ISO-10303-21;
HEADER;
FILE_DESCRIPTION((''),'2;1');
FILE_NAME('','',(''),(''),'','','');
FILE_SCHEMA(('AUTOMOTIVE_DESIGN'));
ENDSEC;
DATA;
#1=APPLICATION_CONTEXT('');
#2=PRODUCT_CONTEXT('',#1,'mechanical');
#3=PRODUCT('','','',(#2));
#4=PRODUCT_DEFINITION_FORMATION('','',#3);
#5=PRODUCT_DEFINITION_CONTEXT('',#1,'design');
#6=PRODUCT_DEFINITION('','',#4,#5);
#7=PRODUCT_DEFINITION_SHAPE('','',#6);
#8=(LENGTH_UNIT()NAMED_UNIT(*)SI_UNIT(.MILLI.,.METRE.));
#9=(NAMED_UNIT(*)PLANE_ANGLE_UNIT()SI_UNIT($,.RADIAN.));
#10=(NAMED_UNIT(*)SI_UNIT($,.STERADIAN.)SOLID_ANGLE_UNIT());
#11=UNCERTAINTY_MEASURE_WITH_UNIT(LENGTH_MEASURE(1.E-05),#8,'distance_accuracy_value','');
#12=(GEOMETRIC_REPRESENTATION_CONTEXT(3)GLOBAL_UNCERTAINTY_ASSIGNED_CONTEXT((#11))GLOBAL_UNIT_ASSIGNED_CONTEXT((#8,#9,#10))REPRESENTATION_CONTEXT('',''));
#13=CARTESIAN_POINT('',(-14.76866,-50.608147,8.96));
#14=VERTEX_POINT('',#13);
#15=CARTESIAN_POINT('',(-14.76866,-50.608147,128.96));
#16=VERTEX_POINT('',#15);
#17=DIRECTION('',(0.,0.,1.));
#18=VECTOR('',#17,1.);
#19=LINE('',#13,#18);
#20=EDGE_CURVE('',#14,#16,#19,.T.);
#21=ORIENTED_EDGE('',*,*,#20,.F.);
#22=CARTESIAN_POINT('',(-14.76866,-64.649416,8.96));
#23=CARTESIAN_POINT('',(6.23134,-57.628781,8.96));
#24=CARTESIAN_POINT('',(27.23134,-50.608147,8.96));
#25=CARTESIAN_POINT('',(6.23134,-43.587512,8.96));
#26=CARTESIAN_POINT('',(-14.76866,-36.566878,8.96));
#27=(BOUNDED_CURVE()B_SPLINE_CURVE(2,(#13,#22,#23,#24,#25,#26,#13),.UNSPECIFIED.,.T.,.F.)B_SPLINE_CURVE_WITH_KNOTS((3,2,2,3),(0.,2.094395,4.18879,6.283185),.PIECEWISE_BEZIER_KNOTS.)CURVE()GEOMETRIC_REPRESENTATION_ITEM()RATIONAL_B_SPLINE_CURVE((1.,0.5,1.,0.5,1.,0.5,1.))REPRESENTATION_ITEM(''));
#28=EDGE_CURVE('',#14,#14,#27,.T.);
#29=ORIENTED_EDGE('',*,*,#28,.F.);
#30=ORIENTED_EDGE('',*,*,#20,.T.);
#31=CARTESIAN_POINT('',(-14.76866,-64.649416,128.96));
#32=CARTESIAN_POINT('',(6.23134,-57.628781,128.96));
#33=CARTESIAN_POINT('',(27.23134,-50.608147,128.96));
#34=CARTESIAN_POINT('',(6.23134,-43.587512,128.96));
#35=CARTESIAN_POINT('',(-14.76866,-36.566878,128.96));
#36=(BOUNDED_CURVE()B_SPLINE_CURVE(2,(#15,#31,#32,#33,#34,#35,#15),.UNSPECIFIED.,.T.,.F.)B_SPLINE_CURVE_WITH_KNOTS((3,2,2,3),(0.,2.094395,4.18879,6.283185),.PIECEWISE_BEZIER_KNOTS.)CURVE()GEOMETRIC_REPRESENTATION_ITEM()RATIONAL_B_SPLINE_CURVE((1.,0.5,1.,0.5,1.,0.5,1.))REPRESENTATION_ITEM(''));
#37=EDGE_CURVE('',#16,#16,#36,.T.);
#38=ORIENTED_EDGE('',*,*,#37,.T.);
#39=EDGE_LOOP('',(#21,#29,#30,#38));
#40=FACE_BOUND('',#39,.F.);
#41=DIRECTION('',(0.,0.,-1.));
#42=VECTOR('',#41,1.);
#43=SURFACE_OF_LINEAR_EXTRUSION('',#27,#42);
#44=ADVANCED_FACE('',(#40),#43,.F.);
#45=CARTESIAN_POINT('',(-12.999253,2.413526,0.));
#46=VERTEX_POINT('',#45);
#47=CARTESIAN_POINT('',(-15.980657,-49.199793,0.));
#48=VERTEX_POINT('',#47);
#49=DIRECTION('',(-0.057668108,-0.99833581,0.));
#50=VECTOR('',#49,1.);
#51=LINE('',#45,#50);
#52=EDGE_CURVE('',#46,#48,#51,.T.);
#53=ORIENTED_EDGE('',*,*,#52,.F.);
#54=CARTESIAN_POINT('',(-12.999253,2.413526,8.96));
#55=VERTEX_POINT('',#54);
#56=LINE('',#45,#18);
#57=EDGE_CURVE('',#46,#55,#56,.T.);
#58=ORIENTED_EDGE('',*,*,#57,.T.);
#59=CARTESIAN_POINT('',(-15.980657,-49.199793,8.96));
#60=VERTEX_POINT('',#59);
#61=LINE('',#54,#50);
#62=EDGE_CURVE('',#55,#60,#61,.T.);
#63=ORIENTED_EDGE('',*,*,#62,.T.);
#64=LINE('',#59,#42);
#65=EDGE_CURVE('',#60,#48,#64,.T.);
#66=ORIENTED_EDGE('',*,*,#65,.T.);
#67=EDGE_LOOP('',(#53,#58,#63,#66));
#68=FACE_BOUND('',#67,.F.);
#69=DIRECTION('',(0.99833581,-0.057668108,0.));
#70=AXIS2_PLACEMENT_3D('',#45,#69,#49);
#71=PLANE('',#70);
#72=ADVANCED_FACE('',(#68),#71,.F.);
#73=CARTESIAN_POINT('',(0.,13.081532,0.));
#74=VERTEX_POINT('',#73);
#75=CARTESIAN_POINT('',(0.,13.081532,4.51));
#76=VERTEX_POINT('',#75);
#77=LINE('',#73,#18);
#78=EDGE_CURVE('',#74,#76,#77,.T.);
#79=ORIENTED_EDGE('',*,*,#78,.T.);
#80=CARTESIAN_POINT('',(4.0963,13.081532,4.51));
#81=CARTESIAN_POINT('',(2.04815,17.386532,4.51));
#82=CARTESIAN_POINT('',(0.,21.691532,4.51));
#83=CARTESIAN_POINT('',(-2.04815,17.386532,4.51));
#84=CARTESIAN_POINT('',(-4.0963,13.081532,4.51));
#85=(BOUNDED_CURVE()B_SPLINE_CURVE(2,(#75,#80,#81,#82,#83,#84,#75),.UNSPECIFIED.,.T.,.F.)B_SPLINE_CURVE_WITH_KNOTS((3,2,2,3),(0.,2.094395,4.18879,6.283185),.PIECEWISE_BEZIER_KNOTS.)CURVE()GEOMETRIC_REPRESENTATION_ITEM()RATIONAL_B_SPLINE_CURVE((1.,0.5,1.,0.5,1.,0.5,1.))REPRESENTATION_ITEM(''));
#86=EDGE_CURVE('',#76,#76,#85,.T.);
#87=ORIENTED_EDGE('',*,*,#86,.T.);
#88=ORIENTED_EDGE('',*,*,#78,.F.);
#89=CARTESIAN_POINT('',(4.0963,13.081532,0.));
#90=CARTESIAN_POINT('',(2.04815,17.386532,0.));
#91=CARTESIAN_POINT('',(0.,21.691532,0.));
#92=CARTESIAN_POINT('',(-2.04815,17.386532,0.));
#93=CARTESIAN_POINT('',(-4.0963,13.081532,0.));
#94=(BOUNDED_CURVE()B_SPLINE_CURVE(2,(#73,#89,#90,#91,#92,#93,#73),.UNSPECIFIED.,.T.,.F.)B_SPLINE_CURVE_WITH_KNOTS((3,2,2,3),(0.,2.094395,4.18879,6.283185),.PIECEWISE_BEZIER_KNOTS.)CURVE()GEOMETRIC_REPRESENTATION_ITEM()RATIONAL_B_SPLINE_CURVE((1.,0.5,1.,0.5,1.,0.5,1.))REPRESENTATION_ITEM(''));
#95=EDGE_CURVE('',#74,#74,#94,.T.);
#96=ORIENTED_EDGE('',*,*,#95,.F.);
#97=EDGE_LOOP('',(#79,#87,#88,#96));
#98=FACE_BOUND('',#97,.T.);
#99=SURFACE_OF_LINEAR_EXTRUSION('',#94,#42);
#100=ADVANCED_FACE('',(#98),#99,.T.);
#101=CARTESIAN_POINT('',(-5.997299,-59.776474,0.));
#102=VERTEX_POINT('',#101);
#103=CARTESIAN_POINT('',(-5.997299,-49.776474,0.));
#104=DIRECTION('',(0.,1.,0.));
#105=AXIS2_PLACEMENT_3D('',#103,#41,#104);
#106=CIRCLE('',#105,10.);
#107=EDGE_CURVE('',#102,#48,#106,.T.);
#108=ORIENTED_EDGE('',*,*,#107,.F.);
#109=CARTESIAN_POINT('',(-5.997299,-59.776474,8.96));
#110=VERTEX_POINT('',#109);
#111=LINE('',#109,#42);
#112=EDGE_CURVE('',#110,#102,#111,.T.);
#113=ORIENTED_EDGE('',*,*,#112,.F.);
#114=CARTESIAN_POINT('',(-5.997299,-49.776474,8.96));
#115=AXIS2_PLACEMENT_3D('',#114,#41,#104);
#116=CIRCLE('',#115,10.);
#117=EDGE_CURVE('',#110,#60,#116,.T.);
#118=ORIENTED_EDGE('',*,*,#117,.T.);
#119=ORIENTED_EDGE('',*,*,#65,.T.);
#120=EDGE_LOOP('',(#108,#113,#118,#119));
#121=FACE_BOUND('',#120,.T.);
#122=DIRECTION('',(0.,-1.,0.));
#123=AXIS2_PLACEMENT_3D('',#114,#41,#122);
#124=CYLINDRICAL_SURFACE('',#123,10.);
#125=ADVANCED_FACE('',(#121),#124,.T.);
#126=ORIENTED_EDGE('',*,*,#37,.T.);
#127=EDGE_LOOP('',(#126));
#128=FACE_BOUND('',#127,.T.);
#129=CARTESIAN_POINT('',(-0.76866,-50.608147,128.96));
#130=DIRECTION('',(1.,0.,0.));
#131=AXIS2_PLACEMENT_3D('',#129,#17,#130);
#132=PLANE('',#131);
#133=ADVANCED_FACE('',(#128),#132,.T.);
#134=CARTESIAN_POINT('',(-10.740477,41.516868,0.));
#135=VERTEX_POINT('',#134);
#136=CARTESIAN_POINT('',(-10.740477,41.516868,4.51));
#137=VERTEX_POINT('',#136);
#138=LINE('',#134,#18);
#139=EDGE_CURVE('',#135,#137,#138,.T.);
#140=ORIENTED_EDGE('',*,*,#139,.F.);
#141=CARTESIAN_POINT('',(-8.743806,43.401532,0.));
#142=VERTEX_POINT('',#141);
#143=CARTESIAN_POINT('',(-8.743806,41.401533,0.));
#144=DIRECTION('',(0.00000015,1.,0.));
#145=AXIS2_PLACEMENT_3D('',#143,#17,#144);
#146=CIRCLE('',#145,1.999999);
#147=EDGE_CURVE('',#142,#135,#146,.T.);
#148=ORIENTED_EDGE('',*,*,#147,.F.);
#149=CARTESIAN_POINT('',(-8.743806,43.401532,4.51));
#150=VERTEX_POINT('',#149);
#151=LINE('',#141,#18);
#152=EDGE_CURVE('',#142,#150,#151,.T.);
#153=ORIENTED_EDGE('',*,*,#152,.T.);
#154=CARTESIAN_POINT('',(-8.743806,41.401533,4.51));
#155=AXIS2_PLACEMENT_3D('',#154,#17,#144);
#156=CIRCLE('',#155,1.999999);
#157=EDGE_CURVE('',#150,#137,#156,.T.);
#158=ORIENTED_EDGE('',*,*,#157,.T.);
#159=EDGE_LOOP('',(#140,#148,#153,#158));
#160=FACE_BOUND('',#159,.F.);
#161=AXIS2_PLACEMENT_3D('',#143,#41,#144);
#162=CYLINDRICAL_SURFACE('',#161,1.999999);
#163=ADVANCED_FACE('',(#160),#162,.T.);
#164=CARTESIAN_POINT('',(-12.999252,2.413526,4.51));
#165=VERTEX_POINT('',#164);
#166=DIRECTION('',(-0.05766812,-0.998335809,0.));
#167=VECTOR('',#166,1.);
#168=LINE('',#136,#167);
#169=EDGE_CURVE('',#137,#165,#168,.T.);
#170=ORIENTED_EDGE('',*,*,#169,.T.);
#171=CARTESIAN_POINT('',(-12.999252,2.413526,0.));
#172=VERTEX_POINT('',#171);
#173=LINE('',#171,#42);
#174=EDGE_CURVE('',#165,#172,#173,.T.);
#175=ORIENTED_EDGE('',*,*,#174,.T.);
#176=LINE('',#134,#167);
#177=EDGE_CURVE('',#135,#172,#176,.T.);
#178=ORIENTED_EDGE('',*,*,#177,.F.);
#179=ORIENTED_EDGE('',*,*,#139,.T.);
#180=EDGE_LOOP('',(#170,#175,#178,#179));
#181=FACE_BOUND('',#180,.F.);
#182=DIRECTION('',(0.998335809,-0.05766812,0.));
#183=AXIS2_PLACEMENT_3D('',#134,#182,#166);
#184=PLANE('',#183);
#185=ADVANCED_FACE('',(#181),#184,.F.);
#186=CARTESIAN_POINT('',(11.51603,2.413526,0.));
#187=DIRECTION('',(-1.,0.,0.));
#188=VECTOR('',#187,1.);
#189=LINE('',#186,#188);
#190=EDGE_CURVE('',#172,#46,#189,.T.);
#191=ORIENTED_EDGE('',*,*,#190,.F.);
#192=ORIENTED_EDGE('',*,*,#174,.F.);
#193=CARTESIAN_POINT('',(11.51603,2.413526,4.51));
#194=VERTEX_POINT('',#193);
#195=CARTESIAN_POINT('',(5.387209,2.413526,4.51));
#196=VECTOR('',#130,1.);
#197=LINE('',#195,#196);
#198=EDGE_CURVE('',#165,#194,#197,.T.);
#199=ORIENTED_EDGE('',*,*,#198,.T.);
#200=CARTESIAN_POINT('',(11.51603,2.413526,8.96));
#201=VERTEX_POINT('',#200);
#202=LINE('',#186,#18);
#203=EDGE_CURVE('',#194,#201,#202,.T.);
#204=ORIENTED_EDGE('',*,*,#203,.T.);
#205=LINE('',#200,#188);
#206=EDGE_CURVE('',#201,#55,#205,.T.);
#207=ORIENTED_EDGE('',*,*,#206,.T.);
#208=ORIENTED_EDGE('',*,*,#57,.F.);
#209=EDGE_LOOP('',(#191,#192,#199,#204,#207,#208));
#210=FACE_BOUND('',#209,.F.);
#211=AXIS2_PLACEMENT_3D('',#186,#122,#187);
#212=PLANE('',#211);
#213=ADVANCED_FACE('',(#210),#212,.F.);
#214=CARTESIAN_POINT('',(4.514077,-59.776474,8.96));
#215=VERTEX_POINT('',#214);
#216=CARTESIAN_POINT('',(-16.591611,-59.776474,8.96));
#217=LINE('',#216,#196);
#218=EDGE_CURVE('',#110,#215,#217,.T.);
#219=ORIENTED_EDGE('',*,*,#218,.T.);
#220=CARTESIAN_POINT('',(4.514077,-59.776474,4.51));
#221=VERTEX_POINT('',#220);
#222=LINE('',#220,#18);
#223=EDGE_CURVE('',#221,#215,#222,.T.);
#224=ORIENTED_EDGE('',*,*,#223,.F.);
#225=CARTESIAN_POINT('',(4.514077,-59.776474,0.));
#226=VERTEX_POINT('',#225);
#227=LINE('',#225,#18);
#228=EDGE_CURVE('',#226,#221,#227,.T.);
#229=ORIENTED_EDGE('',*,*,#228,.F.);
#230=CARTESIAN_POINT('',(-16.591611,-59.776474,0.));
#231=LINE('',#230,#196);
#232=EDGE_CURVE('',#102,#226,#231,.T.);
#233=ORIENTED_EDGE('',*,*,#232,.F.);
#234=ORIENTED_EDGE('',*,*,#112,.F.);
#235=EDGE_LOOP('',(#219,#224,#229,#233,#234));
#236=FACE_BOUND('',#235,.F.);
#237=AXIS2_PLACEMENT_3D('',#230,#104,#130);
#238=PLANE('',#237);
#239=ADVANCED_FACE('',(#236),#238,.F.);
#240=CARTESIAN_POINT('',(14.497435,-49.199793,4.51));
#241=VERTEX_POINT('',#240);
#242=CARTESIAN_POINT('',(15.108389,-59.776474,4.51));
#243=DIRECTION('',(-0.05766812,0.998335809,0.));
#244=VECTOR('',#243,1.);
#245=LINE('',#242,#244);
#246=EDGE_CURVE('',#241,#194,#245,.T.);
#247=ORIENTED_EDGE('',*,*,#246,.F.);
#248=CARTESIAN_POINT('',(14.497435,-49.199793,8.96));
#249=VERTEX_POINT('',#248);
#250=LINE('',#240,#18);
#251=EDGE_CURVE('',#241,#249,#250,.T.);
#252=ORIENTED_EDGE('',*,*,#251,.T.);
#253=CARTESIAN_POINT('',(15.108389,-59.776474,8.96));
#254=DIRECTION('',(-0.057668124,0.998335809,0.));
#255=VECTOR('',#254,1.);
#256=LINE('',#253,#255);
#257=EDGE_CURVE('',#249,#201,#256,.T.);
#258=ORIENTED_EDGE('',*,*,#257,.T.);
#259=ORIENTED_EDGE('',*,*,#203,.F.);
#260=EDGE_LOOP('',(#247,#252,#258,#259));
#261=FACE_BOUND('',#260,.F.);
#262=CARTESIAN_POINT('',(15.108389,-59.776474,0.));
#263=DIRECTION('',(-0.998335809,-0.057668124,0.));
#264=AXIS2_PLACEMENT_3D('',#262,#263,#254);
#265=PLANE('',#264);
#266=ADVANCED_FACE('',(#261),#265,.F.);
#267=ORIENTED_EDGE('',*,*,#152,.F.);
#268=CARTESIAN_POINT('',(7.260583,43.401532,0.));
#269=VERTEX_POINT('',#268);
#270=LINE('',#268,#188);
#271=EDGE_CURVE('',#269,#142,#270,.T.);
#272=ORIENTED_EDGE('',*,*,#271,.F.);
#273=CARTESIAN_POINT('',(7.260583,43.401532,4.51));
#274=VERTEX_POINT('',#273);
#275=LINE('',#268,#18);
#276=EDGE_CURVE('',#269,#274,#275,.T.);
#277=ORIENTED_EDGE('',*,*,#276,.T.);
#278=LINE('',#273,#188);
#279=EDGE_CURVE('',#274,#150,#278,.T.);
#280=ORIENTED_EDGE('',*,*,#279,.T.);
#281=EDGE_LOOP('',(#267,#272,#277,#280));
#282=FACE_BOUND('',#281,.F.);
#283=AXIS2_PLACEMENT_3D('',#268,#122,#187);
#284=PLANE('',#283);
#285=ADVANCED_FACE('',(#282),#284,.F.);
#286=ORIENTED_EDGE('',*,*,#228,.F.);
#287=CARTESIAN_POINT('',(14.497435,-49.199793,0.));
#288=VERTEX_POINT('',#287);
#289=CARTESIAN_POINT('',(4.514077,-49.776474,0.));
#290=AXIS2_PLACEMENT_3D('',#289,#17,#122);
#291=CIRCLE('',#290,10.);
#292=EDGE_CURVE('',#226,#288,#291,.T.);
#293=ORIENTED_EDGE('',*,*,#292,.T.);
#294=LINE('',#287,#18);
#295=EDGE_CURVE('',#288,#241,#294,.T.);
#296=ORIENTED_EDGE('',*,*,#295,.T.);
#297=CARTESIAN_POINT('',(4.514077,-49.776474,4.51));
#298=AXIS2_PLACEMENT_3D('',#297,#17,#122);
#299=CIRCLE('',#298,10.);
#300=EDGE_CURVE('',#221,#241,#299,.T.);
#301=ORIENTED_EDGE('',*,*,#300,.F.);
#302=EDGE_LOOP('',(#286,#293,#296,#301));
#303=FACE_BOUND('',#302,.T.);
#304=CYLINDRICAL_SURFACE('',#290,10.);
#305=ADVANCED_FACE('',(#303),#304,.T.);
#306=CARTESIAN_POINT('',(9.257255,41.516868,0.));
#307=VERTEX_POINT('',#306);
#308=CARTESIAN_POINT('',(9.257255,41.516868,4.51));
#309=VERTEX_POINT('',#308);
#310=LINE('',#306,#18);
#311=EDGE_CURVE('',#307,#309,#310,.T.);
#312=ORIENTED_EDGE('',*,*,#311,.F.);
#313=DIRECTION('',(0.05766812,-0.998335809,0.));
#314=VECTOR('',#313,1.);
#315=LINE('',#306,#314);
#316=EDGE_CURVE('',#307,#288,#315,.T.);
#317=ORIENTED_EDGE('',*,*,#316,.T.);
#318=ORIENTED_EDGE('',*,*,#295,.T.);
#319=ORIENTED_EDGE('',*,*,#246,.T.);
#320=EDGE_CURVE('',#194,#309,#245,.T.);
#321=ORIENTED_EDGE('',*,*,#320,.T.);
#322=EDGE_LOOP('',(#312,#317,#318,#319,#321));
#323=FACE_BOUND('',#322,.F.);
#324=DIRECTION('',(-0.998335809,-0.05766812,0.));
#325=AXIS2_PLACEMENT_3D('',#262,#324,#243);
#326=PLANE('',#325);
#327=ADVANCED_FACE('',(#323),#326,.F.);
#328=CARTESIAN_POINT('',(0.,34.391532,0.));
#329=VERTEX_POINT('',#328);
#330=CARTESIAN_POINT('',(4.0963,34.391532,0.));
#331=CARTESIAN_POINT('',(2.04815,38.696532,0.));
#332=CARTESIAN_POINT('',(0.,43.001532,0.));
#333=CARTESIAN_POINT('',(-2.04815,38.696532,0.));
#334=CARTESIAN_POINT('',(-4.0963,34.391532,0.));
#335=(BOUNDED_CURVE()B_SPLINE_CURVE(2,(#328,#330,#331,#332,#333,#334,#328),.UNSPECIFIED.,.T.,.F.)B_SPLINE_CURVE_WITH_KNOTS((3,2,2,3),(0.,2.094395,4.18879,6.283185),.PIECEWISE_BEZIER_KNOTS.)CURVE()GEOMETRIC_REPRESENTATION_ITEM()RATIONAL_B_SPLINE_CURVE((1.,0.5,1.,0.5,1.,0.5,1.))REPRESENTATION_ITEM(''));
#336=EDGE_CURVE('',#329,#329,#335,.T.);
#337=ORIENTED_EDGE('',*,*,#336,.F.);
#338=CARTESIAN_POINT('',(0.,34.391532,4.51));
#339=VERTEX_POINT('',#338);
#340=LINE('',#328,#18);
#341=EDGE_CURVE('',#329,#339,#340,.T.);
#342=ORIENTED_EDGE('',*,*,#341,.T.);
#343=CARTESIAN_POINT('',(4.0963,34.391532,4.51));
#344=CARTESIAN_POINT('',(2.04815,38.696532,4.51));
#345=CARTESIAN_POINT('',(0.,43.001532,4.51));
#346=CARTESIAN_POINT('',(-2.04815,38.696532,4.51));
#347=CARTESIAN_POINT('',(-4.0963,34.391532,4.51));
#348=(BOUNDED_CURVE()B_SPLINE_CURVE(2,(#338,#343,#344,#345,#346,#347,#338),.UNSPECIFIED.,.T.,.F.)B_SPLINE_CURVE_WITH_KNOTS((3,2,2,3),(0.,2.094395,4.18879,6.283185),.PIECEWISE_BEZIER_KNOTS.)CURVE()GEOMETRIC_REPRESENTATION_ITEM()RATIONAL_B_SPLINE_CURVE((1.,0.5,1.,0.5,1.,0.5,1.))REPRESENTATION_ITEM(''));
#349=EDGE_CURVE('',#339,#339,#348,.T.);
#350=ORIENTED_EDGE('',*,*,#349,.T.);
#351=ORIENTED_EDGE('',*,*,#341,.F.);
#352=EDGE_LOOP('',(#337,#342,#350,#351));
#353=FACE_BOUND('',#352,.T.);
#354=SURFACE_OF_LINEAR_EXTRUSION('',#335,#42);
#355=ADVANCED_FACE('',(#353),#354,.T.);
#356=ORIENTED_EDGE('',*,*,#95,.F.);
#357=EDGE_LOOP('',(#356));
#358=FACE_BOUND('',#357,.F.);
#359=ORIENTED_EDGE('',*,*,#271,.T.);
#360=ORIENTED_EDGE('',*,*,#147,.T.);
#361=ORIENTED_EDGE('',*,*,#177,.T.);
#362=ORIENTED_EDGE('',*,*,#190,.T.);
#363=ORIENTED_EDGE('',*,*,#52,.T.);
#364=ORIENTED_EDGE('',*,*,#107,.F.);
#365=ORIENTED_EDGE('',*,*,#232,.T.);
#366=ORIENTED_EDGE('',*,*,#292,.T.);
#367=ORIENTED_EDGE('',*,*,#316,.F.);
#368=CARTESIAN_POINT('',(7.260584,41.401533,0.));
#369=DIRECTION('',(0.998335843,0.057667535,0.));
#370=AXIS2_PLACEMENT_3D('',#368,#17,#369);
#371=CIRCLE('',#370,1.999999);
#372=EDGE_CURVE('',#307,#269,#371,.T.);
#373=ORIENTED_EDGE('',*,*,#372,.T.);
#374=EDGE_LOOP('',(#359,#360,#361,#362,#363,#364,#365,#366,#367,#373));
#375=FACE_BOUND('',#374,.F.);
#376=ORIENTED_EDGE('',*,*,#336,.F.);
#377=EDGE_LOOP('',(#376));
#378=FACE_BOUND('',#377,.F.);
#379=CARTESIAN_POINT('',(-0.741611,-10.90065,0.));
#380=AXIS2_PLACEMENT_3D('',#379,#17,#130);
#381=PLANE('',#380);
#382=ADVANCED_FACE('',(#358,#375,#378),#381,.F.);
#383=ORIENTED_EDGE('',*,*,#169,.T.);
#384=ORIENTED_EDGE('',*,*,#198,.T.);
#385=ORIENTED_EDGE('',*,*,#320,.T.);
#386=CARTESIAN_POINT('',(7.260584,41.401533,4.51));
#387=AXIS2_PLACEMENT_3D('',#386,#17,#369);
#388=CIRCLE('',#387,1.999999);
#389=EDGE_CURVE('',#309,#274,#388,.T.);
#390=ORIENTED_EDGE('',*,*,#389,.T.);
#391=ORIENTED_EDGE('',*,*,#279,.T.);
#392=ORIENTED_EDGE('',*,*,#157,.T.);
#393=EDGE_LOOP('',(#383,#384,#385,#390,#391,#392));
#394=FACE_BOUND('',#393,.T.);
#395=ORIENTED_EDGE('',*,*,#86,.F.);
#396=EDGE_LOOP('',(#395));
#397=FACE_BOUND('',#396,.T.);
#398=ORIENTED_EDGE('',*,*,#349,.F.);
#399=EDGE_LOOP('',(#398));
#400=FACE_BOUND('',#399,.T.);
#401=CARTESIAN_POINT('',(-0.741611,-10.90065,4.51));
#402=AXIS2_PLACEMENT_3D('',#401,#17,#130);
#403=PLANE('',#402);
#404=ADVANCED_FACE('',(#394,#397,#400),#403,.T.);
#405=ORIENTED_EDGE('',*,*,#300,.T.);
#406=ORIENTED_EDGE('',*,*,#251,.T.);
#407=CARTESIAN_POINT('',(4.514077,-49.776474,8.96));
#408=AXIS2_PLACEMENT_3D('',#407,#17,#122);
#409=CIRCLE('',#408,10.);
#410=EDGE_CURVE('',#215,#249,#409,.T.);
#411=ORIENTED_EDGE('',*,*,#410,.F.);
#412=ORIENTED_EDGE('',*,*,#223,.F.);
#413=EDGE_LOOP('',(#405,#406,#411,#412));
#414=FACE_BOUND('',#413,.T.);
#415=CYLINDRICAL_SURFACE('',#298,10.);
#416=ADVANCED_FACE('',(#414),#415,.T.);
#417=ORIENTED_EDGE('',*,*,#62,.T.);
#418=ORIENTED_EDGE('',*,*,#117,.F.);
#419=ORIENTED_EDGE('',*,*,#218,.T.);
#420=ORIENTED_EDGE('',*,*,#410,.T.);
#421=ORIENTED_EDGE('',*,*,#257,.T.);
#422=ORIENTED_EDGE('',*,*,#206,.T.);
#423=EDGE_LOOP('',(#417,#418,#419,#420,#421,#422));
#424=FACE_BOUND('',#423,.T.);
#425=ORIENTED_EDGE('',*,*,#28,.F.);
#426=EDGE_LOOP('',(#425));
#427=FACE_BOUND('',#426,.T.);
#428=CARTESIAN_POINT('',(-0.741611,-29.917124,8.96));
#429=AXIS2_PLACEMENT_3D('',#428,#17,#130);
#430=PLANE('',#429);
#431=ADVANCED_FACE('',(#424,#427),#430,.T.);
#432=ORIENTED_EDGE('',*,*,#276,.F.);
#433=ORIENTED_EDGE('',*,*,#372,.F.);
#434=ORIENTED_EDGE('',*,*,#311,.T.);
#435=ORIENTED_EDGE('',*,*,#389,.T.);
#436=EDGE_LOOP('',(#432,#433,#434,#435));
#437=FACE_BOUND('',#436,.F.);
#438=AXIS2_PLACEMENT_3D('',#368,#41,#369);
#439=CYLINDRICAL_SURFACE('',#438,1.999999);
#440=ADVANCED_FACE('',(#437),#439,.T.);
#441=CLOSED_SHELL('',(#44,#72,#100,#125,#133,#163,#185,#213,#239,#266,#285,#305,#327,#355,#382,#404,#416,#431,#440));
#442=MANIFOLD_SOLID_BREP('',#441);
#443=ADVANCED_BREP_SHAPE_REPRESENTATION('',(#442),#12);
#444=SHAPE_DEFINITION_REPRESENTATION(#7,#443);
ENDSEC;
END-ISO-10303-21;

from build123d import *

# Parameters (mm, degrees)
F1_DEPTH = 4.51
F3_DEPTH = 8.96
F4_R     = 10
F5_R     = 10
F7_DEPTH = 120


with BuildPart() as f1:
    # F0 (on Top) → F1 (new body)
    with BuildSketch(Plane.XY):
        with BuildLine():
            Line((7.260583, 43.401532), (-8.743806, 43.401532))
            ThreePointArc((-8.743806, 43.401532), (-10.116636, 42.855952), (-10.740477, 41.516868))
            Line((-10.740477, 41.516868), (-16.591611, -59.776474))
            Line((-16.591611, -59.776474), (15.108389, -59.776474))
            Line((15.108389, -59.776474), (9.257255, 41.516868))
            ThreePointArc((9.257255, 41.516868), (8.633414, 42.855952), (7.260583, 43.401532))
        make_face()
        with BuildLine():
            add(Edge.make_bspline(
                [(0, 13.081532), (4.0963, 13.081532), (2.04815, 17.386532), (0, 21.691532), (-2.04815, 17.386532), (-4.0963, 13.081532), (0, 13.081532)],
                knots=[0, 0, 0, 2.094395, 2.094395, 4.18879, 4.18879, 6.283185, 6.283185, 6.283185], degree=2, weights=[1, 0.5, 1, 0.5, 1, 0.5, 1]))
        make_face(mode=Mode.SUBTRACT)
        with BuildLine():
            add(Edge.make_bspline(
                [(0, 34.391532), (4.0963, 34.391532), (2.04815, 38.696532), (0, 43.001532), (-2.04815, 38.696532), (-4.0963, 34.391532), (0, 34.391532)],
                knots=[0, 0, 0, 2.094395, 2.094395, 4.18879, 4.18879, 6.283185, 6.283185, 6.283185], degree=2, weights=[1, 0.5, 1, 0.5, 1, 0.5, 1]))
        make_face(mode=Mode.SUBTRACT)
    extrude(amount=F1_DEPTH)

    # F2 (on Top) → F3 (join)
    with BuildSketch(Plane.XY):
        Polygon((11.51603, 2.413526), (-12.999253, 2.413526), (-16.591611, -59.776474), (15.108389, -59.776474), align=None)
    extrude(amount=F3_DEPTH)

    # F4
    f4_edges = [f1.edges().sort_by_distance(p)[0] for p in [
        (15.108389, -59.776474, 4.48),
    ]]
    fillet(f4_edges, radius=F4_R)

    # F5
    f5_edges = [f1.edges().sort_by_distance(p)[0] for p in [
        (-16.591611, -59.776474, 4.48),
    ]]
    fillet(f5_edges, radius=F5_R)

    # F6 (on face) → F7 (join)
    with BuildSketch(Plane.XY.offset(8.96)):
        with BuildLine():
            add(Edge.make_bspline(
                [(-14.76866, -50.608147), (-14.76866, -64.649416), (6.23134, -57.628781), (27.23134, -50.608147), (6.23134, -43.587512), (-14.76866, -36.566878), (-14.76866, -50.608147)],
                knots=[0, 0, 0, 2.094395, 2.094395, 4.18879, 4.18879, 6.283185, 6.283185, 6.283185], degree=2, weights=[1, 0.5, 1, 0.5, 1, 0.5, 1]))
        make_face()
    extrude(amount=F7_DEPTH)


solid = f1.part
